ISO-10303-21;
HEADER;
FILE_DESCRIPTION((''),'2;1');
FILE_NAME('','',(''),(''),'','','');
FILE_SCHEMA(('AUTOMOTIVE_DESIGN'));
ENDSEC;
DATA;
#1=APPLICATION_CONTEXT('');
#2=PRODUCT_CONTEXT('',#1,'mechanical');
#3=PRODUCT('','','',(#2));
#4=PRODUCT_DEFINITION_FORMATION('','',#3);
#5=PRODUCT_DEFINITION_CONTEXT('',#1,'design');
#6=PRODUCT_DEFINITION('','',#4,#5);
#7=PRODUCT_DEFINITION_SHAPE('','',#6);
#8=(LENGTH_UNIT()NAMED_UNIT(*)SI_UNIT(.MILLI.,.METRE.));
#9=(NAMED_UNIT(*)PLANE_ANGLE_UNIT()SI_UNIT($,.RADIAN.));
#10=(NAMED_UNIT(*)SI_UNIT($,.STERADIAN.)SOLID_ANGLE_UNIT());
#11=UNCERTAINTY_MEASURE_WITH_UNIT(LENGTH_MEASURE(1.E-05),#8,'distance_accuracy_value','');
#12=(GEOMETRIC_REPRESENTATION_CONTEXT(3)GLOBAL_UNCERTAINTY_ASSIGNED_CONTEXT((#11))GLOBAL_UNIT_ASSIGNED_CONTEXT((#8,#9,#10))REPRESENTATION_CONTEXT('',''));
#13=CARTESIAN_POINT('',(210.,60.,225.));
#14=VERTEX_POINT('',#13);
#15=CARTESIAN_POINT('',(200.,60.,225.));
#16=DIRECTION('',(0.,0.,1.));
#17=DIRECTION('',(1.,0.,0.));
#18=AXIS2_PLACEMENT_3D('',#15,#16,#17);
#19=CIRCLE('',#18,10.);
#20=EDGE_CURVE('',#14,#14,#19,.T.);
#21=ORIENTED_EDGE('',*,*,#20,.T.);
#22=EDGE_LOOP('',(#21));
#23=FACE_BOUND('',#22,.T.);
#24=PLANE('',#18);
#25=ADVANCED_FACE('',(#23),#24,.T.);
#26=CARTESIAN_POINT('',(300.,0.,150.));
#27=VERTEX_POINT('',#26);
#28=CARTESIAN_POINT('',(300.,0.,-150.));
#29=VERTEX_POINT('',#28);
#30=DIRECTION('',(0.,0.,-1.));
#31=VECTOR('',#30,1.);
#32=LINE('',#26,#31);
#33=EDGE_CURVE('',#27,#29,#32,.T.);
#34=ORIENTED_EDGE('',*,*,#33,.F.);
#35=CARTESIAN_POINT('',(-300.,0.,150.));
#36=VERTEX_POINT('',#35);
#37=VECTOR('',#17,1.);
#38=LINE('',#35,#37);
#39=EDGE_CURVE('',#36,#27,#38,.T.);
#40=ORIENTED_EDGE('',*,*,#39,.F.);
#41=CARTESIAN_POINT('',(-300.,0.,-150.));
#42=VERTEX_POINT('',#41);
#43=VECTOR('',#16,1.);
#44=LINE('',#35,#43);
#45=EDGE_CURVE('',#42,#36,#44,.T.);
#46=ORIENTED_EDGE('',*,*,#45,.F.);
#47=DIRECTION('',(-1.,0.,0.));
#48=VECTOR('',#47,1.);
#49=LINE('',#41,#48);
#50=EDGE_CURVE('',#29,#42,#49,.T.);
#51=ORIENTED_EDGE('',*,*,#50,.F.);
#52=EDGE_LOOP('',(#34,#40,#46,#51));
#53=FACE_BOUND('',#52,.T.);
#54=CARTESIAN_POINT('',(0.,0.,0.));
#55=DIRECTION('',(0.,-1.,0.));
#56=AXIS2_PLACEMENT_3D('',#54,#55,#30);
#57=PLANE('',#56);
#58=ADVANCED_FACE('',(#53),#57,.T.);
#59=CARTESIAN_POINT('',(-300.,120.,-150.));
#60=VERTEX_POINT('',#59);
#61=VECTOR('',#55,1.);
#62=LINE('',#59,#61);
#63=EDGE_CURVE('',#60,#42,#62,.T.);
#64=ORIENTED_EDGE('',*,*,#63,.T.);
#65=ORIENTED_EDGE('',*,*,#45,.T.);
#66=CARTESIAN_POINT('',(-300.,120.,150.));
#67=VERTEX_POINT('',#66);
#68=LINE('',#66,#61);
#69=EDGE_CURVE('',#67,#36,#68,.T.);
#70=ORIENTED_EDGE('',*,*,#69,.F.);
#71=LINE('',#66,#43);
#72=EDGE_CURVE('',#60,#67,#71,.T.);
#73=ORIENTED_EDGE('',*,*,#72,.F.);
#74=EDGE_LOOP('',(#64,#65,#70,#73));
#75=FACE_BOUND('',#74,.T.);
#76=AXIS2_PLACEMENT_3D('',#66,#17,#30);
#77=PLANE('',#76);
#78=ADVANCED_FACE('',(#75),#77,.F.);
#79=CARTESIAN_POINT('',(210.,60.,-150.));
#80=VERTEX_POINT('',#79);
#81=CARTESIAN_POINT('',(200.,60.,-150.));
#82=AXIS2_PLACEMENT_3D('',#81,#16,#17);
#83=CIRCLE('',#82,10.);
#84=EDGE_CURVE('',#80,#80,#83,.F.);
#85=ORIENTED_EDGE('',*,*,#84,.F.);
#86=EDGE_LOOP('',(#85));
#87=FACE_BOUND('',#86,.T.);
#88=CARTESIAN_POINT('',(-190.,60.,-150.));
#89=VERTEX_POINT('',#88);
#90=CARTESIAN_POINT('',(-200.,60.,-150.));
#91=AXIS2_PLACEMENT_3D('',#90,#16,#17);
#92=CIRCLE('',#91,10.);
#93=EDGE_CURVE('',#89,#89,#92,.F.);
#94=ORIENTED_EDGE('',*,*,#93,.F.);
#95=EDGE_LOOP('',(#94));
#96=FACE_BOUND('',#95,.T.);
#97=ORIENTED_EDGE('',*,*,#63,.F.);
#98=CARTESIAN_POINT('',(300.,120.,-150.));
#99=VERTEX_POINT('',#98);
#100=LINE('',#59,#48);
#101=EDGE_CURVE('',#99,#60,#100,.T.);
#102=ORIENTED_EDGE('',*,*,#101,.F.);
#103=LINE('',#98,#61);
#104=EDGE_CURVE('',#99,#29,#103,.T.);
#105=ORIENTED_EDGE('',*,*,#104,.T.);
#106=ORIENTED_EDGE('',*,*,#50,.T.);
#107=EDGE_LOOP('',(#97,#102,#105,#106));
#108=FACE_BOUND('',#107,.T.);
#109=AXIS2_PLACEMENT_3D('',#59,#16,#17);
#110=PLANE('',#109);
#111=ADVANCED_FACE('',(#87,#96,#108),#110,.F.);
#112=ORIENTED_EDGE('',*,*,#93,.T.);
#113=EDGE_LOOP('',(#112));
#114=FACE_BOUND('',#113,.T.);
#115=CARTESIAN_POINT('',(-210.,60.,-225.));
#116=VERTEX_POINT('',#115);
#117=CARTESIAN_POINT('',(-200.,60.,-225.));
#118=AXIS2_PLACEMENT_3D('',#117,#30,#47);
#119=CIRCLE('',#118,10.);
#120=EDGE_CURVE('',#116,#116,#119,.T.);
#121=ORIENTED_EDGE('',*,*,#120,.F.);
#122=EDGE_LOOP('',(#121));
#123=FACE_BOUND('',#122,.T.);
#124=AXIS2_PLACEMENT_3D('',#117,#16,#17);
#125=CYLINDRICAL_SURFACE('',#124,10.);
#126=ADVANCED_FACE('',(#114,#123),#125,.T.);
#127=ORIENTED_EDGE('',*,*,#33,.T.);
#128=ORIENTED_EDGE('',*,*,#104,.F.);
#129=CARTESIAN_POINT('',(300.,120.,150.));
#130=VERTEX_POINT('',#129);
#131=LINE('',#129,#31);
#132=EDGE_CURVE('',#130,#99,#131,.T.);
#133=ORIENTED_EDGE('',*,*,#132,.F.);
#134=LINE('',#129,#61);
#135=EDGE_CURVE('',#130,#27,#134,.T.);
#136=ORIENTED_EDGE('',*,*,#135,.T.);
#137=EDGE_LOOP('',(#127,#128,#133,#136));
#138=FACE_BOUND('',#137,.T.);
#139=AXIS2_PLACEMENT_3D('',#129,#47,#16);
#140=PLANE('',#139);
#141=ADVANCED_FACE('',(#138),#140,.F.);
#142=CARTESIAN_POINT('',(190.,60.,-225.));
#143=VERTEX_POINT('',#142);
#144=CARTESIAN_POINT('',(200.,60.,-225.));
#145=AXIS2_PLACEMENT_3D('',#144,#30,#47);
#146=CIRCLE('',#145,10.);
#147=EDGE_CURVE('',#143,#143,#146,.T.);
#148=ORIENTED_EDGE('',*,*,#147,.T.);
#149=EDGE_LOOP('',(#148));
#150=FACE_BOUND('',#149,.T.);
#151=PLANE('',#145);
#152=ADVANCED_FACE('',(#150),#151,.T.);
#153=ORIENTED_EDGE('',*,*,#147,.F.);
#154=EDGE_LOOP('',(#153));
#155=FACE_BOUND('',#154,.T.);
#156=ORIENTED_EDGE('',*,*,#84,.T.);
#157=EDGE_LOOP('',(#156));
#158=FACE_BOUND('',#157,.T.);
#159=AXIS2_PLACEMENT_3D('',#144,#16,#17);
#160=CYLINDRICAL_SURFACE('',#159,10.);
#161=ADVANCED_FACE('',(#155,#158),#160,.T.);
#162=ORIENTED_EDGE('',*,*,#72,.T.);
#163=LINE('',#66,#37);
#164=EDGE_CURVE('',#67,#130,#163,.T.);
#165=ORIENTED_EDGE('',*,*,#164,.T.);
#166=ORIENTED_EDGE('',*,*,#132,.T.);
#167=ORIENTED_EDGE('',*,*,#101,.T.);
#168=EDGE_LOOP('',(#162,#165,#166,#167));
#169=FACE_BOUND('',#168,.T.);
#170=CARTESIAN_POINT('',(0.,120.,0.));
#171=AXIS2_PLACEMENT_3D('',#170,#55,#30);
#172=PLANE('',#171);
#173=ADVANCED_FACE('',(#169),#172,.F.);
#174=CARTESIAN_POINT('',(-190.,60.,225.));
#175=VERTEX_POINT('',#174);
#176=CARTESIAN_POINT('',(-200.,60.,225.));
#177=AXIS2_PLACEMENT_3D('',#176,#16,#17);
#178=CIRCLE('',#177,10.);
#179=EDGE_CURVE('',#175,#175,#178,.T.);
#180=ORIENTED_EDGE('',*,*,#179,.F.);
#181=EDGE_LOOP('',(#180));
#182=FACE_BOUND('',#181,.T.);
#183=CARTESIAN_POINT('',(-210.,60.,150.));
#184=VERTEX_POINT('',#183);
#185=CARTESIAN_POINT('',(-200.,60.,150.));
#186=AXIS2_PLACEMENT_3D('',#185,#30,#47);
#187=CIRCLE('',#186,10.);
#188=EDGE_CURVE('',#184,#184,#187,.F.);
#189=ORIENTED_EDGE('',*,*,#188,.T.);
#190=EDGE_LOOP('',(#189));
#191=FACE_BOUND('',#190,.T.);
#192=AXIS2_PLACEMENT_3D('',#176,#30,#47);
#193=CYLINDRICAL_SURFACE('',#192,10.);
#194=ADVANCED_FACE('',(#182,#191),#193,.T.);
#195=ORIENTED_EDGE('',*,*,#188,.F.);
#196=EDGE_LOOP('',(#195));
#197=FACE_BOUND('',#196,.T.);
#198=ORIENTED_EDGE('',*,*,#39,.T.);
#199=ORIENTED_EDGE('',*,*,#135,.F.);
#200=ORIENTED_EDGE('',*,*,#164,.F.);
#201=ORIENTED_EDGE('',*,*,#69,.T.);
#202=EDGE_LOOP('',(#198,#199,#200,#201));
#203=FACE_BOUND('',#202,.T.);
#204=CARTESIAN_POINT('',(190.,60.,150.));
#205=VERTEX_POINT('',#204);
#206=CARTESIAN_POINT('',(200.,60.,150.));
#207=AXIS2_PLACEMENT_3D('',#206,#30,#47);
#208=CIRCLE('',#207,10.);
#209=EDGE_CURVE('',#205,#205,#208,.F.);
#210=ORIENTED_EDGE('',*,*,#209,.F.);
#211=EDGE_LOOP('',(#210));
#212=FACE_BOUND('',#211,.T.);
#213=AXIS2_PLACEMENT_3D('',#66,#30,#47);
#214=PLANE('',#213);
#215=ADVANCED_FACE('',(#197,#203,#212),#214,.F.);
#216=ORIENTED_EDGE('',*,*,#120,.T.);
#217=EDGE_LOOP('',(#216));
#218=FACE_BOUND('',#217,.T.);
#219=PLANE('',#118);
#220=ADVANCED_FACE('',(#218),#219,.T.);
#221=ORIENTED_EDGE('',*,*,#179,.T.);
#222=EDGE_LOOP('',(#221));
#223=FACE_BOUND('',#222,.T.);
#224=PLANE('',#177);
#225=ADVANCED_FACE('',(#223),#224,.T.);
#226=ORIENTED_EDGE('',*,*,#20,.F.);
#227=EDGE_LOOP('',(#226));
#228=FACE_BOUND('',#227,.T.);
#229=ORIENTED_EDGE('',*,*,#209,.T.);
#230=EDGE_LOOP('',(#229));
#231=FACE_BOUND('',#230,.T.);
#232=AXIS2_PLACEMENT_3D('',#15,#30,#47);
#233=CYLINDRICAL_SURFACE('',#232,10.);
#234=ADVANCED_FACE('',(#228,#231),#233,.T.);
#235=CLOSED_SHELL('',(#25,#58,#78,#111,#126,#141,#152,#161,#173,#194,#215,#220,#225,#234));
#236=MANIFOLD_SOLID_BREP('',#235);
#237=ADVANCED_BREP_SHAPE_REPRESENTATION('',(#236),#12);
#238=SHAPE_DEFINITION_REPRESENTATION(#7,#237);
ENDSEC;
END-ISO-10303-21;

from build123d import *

# Parameters (mm, degrees)
SKETCH1_W           = 600
SKETCH1_H           = 300
BOSS_EXTRUDE1_DEPTH = 120
SKETCH3_R           = 10
BOSS_EXTRUDE3_DEPTH = 75
BOSS_EXTRUDE4_START = 75
SKETCH2_R           = 10
BOSS_EXTRUDE4_DEPTH = 75


with BuildPart() as part:
    # Sketch1 → Boss-Extrude1 (new body)
    with BuildSketch(Plane(origin=(0, 0, 0), x_dir=(1, 0, 0), z_dir=(0, 1, 0))):
        Rectangle(SKETCH1_W, SKETCH1_H)
    extrude(amount=BOSS_EXTRUDE1_DEPTH)

    # Sketch3 → Boss-Extrude3 (add)
    with BuildSketch(Plane.XY.offset(150)):
        with Locations(Location((-200, 60, 0), (0, 0, 180))):
            Circle(SKETCH3_R)
        with Locations(Location((200, 60, 0), (0, 0, 180))):
            Circle(SKETCH3_R)
    extrude(amount=BOSS_EXTRUDE3_DEPTH)

    # Sketch2 → Boss-Extrude4 (add)
    with BuildSketch(Plane(origin=(0, 0, -150), x_dir=(-1, 0, 0), z_dir=(0, 0, -1)).offset(BOSS_EXTRUDE4_START)):
        with Locations((-200, 60)):
            Circle(SKETCH2_R)
        with Locations((200, 60)):
            Circle(SKETCH2_R)
    extrude(amount=-BOSS_EXTRUDE4_DEPTH)


solid = part.part
